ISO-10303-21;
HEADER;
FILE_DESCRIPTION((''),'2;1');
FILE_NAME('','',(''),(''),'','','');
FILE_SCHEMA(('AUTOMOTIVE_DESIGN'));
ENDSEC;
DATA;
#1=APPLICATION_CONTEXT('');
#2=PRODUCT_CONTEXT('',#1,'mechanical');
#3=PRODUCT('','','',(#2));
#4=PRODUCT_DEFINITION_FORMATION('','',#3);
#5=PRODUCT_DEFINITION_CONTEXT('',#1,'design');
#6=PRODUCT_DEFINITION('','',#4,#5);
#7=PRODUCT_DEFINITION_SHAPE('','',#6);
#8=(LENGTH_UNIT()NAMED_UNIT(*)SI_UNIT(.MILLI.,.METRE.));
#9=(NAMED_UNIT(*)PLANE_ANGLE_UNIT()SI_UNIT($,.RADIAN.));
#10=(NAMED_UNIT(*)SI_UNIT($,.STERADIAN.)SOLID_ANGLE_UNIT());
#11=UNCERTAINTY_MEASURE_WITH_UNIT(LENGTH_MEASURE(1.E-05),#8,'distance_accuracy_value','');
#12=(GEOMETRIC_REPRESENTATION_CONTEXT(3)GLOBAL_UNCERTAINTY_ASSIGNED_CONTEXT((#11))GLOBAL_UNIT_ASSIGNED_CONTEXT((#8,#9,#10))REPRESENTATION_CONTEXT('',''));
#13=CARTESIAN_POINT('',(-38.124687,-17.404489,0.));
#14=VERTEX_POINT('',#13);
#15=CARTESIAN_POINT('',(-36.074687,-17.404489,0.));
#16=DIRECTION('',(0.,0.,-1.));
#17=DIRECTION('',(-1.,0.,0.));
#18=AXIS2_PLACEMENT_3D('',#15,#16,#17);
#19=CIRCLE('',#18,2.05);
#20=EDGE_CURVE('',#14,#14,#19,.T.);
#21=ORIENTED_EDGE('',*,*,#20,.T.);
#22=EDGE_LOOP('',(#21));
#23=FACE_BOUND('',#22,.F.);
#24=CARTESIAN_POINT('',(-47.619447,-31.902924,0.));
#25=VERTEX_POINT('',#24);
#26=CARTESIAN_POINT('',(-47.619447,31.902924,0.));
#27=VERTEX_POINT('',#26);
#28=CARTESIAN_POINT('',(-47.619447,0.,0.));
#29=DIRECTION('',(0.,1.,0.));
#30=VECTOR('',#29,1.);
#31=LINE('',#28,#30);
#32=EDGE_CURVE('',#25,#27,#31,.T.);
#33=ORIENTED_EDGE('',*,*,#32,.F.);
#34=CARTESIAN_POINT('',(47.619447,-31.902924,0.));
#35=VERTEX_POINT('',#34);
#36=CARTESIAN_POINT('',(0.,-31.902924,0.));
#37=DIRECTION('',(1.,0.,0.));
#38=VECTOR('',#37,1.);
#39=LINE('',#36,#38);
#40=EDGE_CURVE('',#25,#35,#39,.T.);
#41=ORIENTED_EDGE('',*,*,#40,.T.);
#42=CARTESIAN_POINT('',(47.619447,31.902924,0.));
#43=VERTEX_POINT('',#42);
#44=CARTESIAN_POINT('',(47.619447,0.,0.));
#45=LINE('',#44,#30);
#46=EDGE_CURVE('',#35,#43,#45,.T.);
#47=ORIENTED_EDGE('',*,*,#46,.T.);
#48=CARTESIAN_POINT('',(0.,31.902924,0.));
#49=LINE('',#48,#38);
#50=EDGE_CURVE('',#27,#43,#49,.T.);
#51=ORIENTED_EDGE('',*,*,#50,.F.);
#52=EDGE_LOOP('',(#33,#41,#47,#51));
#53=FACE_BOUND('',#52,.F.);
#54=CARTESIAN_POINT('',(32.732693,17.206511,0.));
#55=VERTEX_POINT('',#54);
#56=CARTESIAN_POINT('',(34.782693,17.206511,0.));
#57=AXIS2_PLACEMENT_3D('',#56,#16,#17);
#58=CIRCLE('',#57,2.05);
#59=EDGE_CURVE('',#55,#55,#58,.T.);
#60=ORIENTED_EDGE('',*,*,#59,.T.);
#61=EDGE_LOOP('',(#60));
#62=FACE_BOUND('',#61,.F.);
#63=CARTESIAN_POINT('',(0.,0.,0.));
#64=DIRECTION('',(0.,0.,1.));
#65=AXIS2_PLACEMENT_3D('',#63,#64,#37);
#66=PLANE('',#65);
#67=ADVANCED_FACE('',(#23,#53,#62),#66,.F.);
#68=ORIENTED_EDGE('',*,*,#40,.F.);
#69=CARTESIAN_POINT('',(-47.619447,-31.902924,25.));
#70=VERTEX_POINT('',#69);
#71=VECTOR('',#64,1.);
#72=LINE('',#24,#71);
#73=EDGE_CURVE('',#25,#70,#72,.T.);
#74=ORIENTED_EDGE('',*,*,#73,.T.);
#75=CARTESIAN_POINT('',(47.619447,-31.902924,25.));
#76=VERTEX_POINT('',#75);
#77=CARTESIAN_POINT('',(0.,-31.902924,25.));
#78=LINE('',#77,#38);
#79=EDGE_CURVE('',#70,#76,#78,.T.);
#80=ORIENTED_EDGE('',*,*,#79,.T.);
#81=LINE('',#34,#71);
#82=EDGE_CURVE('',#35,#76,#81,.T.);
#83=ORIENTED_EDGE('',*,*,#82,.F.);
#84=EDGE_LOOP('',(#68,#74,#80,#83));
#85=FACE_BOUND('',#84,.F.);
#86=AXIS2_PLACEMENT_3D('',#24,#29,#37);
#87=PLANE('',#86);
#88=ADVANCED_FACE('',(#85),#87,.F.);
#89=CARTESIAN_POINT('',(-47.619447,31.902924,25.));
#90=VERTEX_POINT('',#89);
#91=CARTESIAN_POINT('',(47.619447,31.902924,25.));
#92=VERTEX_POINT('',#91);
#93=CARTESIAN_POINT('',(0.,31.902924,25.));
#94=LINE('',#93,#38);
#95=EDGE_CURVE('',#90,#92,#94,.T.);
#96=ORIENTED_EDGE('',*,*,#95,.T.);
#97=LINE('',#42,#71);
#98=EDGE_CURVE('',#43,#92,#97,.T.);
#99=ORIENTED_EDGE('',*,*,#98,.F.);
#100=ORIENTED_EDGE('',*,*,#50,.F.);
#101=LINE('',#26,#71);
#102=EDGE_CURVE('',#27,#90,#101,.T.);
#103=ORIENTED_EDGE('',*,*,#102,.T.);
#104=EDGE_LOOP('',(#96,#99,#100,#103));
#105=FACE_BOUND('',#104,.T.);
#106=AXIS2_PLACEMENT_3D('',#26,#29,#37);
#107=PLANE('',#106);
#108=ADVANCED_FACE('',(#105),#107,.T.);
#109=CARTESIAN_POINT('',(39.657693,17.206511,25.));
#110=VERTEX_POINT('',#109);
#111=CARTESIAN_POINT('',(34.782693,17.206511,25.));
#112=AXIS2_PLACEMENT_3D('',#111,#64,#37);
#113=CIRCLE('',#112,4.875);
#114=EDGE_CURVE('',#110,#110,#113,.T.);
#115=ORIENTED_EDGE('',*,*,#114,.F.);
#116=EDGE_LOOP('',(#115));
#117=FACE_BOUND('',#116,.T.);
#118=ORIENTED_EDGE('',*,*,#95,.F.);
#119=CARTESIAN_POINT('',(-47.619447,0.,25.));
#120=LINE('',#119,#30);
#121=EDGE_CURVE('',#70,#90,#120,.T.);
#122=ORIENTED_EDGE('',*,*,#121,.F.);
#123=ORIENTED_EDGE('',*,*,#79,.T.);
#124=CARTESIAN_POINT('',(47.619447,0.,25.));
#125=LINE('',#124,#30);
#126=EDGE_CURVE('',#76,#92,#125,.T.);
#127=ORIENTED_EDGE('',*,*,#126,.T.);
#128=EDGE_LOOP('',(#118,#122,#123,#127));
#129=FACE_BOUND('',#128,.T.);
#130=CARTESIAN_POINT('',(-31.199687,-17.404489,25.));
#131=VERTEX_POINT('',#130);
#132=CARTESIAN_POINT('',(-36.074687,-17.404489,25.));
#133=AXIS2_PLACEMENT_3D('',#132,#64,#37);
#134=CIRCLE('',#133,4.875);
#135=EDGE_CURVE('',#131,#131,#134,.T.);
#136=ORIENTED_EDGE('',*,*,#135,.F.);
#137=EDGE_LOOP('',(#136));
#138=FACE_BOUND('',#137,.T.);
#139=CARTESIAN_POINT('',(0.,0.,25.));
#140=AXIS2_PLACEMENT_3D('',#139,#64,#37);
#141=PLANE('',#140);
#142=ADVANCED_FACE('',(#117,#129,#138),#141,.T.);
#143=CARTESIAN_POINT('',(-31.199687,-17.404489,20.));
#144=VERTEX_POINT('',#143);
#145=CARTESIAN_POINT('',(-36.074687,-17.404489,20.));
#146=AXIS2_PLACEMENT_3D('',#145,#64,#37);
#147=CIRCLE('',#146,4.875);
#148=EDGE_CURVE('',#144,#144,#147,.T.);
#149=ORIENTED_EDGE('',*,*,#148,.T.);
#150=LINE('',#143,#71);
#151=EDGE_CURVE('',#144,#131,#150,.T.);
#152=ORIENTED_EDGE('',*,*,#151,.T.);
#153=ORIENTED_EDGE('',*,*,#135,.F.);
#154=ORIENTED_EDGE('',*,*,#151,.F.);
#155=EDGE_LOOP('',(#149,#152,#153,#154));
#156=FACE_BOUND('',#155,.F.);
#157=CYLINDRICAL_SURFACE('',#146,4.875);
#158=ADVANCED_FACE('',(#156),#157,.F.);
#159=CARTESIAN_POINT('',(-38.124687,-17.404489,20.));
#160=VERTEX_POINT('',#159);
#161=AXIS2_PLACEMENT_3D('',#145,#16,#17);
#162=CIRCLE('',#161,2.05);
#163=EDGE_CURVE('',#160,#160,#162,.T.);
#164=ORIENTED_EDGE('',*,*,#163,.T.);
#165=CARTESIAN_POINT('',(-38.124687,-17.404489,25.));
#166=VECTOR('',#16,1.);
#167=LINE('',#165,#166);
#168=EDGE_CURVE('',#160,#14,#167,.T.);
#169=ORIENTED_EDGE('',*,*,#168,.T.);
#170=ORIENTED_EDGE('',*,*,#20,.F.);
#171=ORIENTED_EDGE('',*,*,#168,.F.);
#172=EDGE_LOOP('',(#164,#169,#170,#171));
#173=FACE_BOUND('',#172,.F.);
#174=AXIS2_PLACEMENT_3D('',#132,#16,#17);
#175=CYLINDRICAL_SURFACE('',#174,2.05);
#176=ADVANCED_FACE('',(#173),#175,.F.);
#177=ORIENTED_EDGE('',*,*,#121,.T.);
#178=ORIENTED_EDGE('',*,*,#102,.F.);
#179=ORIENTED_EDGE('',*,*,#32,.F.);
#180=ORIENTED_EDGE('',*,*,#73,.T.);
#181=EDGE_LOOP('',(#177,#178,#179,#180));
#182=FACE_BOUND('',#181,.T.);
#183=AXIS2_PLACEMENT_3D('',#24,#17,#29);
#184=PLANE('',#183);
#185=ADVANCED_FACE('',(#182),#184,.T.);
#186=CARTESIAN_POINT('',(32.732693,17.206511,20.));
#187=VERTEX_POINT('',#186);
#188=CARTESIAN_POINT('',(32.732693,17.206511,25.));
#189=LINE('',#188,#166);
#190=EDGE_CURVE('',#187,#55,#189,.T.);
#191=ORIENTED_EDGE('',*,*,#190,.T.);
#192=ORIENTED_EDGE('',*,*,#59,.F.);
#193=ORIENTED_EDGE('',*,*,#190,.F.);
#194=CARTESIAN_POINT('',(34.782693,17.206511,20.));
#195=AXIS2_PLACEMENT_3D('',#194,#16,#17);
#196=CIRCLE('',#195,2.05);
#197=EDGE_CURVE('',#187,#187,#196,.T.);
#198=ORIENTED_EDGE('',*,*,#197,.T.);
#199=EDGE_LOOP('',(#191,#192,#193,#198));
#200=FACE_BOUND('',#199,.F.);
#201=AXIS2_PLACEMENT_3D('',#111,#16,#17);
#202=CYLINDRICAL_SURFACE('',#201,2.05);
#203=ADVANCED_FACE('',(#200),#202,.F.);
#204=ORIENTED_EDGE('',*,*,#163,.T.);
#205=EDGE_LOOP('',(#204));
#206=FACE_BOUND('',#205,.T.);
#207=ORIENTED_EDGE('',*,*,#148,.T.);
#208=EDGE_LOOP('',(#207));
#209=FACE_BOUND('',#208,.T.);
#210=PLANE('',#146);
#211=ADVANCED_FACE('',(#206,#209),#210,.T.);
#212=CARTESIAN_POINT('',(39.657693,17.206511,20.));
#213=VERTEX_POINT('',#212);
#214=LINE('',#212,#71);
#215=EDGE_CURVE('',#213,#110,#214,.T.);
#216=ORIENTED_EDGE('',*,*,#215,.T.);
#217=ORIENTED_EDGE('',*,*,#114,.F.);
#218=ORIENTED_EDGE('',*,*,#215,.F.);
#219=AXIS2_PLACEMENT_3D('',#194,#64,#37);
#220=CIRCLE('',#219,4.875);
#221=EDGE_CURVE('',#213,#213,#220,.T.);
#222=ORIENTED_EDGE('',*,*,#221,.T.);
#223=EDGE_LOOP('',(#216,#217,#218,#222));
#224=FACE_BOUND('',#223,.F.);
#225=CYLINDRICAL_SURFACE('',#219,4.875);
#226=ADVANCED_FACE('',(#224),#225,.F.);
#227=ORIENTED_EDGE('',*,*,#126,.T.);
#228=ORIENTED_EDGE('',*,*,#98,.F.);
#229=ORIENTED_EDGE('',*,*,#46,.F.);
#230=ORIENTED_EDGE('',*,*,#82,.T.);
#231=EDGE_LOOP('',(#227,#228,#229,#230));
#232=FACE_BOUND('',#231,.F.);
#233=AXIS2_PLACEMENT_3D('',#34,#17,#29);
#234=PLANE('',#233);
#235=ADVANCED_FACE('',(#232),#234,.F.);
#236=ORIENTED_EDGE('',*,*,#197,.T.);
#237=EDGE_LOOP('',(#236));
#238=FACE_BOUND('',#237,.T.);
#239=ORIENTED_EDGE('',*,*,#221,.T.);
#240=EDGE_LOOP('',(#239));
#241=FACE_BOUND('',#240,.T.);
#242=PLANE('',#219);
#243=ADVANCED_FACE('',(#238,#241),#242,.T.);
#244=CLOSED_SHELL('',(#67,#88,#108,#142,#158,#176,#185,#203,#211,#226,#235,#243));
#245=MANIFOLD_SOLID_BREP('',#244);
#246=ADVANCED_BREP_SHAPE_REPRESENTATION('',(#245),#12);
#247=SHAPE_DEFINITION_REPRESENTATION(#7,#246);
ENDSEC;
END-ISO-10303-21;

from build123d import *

# Parameters (mm, degrees)
F0_W           = 95.2388942242
F0_H           = 63.8058483601
F1_DEPTH       = 25
F3_D           = 4.1
F3_CBORE_D     = 9.75
F3_CBORE_DEPTH = 5
F5_D           = 4.1
F5_CBORE_D     = 9.75
F5_CBORE_DEPTH = 5


with BuildPart() as f1:
    # F0 (on Top) → F1 (new body)
    with BuildSketch(Plane.XY):
        Rectangle(F0_W, F0_H)
    extrude(amount=F1_DEPTH)

    # F3 (through all)
    with Locations(Plane.XY.offset(25)):
        with Locations((-36.0746867955, -17.4044892192)):
            CounterBoreHole(F3_D / 2, F3_CBORE_D / 2, F3_CBORE_DEPTH)

    # F5 (through all)
    with Locations(Plane.XY.offset(25)):
        with Locations((34.78269279, 17.2065105289)):
            CounterBoreHole(F5_D / 2, F5_CBORE_D / 2, F5_CBORE_DEPTH)


solid = f1.part
